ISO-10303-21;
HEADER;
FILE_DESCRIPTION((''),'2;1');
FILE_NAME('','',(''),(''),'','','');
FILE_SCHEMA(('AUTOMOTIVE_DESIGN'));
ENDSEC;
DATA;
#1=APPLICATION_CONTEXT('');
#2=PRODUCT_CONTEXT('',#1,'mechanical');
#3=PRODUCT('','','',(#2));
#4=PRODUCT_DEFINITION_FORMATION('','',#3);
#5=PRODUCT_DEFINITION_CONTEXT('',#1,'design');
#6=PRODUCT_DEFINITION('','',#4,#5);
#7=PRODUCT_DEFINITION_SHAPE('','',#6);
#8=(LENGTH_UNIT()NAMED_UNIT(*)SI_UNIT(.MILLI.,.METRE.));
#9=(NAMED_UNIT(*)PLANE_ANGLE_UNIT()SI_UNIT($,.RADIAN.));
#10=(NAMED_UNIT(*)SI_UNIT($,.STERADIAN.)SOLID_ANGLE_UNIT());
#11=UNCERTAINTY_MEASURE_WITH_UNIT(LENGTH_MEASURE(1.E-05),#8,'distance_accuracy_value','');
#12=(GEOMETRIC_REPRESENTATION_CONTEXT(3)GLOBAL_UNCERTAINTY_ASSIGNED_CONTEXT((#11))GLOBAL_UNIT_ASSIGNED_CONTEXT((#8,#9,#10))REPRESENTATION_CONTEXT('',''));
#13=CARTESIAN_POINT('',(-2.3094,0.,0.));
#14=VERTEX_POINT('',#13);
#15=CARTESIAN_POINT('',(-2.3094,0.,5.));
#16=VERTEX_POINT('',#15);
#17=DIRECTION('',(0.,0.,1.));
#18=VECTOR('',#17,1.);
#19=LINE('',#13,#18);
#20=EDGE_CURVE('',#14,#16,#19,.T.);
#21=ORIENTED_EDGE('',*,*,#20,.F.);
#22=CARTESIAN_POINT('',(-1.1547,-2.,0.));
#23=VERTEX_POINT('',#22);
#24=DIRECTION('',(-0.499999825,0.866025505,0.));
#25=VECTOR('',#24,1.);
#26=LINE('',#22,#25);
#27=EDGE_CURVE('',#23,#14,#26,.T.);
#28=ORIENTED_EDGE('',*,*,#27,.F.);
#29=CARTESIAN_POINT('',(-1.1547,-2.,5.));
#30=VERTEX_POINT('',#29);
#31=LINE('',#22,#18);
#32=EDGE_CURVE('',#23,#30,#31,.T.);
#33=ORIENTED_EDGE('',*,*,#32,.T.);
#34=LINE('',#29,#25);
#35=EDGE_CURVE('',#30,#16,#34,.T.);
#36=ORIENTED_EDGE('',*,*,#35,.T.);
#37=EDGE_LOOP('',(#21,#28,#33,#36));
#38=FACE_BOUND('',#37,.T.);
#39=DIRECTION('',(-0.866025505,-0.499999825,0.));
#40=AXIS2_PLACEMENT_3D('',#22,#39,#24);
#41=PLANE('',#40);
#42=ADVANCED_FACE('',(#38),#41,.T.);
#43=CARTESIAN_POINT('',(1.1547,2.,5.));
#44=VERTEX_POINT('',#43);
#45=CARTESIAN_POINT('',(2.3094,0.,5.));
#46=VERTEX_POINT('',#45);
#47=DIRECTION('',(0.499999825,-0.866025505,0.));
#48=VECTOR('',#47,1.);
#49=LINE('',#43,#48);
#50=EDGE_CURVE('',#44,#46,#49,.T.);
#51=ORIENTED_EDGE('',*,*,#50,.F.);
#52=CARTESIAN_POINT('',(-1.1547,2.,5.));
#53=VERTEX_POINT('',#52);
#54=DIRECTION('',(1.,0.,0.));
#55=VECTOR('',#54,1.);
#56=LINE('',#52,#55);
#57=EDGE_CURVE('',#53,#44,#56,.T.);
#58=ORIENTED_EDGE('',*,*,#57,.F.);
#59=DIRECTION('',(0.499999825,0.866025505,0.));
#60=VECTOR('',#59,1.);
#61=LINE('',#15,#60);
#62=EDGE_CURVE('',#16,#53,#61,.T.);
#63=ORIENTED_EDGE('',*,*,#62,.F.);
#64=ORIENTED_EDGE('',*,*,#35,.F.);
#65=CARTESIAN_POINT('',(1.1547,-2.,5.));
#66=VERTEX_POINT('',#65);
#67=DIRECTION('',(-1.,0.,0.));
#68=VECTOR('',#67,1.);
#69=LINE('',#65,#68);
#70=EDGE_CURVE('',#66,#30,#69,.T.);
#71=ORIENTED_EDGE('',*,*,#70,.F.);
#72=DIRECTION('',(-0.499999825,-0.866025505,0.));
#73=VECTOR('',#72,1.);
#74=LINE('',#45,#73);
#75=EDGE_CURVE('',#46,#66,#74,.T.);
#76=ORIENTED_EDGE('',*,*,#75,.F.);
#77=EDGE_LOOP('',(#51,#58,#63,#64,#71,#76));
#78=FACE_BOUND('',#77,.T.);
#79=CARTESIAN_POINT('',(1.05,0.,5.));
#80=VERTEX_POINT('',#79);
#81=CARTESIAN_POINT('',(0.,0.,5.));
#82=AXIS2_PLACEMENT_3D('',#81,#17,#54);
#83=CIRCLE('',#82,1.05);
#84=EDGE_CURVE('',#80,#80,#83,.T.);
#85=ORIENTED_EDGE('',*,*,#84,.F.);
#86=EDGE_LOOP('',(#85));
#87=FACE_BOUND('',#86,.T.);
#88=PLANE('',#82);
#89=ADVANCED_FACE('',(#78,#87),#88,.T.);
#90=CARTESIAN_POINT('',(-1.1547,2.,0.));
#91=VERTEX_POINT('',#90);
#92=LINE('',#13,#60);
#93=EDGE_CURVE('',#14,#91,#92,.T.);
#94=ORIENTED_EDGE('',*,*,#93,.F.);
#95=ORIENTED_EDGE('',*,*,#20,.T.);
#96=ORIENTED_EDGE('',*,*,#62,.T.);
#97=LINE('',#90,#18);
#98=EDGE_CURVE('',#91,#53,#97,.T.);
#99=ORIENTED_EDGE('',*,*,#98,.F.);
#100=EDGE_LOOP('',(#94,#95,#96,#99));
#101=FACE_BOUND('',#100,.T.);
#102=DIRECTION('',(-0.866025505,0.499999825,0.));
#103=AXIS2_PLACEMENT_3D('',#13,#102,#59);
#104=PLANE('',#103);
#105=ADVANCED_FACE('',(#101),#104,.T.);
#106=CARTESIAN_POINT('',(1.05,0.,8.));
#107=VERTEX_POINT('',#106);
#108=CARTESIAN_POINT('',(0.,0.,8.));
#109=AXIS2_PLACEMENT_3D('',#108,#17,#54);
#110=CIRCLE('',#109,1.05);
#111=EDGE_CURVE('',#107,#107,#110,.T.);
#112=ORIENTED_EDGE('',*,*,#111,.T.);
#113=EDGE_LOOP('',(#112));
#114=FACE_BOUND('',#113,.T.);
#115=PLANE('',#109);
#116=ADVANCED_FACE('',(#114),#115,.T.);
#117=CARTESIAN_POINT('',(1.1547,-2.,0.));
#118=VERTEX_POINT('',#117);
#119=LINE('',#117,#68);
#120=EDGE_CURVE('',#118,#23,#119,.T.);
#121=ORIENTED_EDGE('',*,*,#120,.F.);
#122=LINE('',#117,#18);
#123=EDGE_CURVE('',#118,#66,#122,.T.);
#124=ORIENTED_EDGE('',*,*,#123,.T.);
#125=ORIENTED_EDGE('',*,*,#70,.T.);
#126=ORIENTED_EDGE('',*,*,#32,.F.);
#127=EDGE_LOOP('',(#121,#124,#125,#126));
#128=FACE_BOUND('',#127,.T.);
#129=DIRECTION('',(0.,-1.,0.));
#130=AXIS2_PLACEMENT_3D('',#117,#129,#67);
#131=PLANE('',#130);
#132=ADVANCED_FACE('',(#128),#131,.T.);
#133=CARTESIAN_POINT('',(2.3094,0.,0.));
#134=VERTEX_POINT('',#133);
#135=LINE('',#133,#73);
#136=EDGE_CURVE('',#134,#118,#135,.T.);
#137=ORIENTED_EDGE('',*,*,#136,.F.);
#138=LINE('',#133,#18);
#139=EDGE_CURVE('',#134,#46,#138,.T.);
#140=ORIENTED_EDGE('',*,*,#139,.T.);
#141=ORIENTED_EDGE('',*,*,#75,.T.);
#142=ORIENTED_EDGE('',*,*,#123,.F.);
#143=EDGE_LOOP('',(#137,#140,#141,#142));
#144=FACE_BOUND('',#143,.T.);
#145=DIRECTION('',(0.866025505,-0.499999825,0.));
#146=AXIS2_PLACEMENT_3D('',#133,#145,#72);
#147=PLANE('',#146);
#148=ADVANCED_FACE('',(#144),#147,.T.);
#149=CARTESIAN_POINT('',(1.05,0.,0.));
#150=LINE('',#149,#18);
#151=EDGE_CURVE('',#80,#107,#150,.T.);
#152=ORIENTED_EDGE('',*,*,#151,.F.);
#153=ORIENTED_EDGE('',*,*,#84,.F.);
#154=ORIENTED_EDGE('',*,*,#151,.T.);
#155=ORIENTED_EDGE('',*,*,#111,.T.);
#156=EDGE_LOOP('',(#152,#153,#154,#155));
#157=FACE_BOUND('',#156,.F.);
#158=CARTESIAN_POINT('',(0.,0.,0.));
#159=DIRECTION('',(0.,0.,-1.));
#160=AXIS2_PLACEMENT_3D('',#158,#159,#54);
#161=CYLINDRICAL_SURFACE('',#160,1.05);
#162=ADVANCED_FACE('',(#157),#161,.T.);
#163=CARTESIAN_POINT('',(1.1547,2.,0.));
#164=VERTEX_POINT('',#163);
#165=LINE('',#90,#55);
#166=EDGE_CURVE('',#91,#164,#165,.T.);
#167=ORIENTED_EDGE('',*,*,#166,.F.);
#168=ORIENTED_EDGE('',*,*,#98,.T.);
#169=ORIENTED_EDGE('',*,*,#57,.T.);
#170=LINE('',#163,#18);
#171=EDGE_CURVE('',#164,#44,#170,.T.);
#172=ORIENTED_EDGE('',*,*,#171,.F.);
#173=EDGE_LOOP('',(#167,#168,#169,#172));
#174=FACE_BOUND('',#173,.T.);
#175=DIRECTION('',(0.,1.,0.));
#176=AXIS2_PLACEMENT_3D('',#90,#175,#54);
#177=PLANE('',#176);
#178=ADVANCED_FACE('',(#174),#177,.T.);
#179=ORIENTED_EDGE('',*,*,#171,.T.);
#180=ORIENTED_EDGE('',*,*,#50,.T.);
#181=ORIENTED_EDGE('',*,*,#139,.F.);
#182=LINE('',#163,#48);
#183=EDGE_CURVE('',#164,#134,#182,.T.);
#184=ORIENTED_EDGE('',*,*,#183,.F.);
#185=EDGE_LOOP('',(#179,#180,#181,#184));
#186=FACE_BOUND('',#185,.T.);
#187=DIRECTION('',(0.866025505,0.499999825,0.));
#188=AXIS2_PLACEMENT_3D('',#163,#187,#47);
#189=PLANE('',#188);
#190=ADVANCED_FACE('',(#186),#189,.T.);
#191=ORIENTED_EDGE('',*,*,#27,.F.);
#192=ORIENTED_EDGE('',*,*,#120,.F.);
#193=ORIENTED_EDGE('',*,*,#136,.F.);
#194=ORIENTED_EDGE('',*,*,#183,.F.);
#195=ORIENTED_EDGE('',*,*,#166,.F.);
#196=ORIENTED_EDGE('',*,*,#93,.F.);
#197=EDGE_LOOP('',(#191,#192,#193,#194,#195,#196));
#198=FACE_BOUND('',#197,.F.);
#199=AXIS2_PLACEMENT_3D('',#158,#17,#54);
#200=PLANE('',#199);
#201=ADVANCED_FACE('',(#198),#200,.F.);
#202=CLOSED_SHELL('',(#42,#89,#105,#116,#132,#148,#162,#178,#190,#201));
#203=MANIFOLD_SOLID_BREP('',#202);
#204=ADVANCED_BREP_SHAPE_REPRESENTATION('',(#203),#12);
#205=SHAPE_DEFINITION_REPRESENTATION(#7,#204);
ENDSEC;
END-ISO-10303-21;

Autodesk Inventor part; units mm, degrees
ref_plane "YZ Plane" through (0, 0, 0) normal (1, 0, 0) x (0, 1, 0)
ref_plane "XZ Plane" through (0, 0, 0) normal (0, 1, 0) x (-1, 0, 0)
ref_plane "XY Plane" through (0, 0, 0) normal (0, 0, 1) x (1, 0, 0)
sketch "草图1" plane through (0, 0, 0) normal (0, 0, 1) x (1, 0, 0)
  circle A0 centre (0, 0) radius 1.05
  line L0 (1.1547, -2) -> (-1.1547, -2)
  line L1 (-1.1547, -2) -> (-2.3094, 0)
  line L2 (-2.3094, 0) -> (-1.1547, 2)
  line L3 (-1.1547, 2) -> (1.1547, 2)
  line L4 (1.1547, 2) -> (2.3094, 0)
  line L5 (2.3094, 0) -> (1.1547, -2)
  dimension "d0" = 2.1
  dimension "d2" = 4
extrude "拉伸1" add sketch "草图1" along normal blind 8 contours A0
extrude "拉伸2" add sketch "草图1" along normal blind 5
properties part number "铜柱"
